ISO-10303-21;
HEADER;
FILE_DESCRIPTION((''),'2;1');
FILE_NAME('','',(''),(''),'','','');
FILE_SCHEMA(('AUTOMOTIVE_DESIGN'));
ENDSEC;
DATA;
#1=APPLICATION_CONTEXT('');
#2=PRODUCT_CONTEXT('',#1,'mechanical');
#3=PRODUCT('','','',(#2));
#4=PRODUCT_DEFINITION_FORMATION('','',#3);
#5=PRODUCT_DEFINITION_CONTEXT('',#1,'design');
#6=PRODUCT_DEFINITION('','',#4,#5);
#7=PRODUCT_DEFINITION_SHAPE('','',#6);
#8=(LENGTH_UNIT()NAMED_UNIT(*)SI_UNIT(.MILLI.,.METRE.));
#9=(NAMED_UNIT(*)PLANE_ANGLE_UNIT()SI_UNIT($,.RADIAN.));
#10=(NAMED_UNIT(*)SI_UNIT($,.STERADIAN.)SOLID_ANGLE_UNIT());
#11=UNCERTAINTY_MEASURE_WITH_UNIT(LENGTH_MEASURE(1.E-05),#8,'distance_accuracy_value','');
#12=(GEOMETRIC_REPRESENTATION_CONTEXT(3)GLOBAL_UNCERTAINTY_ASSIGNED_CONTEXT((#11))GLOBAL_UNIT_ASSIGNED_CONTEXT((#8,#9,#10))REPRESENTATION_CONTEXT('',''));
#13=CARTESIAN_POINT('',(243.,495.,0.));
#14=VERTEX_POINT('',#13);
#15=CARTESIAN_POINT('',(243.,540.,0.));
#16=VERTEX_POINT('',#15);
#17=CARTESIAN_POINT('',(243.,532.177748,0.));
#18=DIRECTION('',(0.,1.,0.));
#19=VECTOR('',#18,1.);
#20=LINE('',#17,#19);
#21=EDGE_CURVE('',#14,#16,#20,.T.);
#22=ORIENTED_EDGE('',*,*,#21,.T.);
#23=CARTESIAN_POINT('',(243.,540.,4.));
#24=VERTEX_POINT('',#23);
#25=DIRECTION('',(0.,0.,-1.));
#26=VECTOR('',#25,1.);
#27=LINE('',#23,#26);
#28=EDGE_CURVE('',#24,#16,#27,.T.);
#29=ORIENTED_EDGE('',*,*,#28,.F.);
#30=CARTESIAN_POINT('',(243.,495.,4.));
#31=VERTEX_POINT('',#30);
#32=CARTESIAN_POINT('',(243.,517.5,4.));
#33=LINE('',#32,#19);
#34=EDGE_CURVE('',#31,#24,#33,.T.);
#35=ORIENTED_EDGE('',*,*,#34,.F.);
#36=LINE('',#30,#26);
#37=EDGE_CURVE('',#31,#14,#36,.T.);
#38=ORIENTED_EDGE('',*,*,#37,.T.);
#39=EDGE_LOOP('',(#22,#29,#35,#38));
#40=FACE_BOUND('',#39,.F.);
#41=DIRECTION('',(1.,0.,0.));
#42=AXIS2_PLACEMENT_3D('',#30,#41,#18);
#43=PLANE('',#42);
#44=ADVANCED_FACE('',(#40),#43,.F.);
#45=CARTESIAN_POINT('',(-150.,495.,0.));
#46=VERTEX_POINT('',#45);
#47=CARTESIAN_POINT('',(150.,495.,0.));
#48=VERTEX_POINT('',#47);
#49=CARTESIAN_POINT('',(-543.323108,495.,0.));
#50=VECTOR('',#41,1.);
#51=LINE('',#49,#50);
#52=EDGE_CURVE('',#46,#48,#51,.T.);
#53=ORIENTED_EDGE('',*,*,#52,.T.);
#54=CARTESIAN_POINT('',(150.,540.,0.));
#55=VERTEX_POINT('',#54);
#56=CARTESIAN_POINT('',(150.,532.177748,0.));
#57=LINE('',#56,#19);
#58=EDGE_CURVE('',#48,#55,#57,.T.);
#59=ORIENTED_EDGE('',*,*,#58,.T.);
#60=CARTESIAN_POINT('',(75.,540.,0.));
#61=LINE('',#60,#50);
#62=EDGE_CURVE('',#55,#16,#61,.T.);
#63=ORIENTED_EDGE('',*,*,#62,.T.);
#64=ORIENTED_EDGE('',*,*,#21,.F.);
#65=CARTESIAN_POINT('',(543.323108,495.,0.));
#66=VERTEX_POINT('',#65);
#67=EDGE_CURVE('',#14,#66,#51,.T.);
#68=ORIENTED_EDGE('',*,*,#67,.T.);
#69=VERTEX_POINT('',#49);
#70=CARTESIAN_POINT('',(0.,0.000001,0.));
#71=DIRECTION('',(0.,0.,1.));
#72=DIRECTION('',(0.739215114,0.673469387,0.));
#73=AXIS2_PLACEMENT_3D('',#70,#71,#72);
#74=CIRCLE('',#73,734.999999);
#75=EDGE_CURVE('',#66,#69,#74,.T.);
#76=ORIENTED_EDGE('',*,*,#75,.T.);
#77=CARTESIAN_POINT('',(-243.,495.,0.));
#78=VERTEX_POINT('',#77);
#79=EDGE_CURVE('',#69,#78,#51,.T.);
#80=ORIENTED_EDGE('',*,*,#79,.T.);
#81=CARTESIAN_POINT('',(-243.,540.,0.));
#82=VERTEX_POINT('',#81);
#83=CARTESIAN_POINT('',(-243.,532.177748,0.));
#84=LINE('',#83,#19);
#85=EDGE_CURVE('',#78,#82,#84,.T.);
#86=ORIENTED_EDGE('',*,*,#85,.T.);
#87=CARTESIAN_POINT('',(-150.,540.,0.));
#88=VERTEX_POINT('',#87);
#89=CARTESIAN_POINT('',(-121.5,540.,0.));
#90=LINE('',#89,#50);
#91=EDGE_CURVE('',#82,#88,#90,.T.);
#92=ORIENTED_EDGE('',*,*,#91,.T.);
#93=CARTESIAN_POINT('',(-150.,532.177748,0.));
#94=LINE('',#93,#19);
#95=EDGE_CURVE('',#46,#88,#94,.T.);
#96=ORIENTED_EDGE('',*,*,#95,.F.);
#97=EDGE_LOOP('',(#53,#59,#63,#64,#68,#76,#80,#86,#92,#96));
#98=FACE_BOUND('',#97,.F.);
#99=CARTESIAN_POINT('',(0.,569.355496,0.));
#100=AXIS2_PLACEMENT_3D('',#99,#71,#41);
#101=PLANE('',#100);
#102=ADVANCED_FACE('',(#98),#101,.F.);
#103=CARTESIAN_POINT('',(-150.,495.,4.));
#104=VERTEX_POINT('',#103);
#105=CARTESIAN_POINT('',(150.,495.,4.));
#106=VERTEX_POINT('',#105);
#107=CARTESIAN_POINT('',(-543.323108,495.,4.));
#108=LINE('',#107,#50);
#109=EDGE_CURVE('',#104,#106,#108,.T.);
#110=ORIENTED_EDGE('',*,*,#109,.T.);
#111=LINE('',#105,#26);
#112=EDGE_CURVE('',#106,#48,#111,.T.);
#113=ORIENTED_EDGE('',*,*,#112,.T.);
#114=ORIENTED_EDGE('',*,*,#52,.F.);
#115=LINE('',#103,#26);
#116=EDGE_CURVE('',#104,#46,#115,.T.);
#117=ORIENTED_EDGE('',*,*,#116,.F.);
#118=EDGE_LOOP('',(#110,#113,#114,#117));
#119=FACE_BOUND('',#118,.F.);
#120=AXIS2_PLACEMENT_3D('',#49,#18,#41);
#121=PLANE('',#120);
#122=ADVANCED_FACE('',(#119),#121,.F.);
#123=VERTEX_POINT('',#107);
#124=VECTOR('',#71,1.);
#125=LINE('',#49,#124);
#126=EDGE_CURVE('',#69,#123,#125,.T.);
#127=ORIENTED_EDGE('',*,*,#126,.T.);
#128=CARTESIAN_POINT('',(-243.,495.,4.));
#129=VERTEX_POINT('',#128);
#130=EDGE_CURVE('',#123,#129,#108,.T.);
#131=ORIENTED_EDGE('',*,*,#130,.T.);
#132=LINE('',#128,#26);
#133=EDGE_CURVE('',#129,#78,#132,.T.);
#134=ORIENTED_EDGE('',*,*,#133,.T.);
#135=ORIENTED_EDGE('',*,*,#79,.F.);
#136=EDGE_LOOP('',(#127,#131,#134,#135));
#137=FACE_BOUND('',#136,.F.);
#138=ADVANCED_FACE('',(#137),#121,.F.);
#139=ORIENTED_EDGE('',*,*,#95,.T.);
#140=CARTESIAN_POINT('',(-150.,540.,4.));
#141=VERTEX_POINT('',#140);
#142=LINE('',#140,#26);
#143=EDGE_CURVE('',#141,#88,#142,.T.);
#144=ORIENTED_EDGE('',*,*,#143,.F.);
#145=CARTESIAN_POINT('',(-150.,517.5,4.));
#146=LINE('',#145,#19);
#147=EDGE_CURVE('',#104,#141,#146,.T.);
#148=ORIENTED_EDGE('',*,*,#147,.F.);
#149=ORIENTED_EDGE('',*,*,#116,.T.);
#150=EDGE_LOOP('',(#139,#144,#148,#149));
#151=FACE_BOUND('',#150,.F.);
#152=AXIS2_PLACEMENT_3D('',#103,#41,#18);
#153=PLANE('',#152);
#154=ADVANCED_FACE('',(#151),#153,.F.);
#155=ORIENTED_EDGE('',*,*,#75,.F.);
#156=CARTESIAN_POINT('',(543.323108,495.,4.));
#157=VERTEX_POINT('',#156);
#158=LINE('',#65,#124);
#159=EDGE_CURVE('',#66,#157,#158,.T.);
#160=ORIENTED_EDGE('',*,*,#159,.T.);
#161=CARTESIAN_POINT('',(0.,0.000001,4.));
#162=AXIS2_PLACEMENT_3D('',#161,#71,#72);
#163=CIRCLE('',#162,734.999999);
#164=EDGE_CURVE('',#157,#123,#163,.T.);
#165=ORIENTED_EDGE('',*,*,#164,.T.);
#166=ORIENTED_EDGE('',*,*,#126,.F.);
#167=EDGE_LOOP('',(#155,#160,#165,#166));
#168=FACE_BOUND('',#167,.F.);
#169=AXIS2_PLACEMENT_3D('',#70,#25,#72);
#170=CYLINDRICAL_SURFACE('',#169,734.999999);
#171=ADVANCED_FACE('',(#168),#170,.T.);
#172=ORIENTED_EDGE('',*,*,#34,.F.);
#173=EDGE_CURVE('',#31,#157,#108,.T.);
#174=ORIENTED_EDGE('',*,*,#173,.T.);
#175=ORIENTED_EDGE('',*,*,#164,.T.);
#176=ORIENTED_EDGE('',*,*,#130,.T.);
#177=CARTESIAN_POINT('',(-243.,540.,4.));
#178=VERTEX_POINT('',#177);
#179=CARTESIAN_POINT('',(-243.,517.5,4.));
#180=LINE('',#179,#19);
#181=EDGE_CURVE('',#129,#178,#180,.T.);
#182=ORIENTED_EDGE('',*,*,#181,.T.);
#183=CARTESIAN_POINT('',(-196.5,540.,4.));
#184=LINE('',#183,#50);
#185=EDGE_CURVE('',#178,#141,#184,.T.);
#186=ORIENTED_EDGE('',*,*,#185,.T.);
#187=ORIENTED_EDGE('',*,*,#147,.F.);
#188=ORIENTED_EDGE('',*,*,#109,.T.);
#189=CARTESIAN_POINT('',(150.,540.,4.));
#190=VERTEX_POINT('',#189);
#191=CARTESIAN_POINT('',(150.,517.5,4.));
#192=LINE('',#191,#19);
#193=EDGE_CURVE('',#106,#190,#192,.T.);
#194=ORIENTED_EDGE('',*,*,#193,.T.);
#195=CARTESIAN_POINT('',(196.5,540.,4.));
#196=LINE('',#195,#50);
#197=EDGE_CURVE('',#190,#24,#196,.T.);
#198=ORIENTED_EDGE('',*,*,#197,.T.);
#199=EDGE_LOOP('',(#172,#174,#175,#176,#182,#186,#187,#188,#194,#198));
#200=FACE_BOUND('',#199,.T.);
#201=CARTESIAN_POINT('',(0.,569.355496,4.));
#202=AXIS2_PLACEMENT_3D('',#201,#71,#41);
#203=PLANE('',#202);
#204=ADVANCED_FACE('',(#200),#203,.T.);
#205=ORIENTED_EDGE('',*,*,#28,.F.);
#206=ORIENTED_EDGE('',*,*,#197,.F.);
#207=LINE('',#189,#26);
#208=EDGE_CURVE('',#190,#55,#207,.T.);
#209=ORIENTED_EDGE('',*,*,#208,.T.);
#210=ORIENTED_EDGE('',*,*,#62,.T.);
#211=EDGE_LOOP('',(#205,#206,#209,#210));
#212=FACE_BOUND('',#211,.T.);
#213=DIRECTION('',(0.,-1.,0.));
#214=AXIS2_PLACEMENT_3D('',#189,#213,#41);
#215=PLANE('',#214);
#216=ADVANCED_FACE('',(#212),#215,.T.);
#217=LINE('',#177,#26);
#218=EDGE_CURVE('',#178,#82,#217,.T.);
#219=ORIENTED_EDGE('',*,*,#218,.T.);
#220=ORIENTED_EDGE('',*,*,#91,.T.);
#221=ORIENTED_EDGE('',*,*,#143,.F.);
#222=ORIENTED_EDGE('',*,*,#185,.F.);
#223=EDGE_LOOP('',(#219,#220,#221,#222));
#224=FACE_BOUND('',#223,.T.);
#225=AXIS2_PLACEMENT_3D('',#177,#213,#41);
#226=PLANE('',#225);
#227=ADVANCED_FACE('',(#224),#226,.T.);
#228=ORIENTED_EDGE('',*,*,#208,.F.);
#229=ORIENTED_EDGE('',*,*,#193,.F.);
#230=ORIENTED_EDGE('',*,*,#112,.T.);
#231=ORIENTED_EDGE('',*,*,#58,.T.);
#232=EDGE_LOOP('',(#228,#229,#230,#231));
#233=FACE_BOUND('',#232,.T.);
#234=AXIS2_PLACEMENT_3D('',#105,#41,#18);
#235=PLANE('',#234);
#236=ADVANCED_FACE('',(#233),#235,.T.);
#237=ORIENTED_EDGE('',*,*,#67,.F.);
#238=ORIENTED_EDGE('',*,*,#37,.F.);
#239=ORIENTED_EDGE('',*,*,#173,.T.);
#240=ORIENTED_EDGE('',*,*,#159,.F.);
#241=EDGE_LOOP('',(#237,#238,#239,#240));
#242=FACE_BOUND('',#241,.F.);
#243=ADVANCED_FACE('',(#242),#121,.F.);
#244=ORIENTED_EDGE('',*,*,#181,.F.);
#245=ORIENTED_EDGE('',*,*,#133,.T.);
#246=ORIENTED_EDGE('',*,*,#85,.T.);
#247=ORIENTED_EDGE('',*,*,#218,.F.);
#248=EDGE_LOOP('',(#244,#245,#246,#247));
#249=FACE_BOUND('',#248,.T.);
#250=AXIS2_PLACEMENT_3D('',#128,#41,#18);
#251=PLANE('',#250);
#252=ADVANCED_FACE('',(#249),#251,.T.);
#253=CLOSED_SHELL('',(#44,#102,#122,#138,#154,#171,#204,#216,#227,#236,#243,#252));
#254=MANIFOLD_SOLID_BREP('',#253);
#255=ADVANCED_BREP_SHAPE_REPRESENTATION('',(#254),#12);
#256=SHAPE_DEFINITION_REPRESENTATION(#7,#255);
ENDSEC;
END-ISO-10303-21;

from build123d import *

# Parameters (mm, degrees)
F1_DEPTH = 4
F2_W     = 93
F2_H     = 45
F3_DEPTH = 25


with BuildPart() as f1:
    # F0 (on Top) → F1 (new body)
    with BuildSketch(Plane.XY):
        with BuildLine():
            Line((-543.323108, 495), (543.323108, 495))
            ThreePointArc((543.323108, 495), (0, 735), (-543.323108, 495))
        make_face()
    extrude(amount=F1_DEPTH)

    # F2 (on face) → F3 (cut)
    with BuildSketch(Plane.XY.offset(4)):
        with Locations((196.5, 517.5)):
            Rectangle(F2_W, F2_H)
        with Locations((-196.5, 517.5)):
            Rectangle(F2_W, F2_H)
    extrude(amount=-F3_DEPTH, mode=Mode.SUBTRACT)


solid = f1.part
